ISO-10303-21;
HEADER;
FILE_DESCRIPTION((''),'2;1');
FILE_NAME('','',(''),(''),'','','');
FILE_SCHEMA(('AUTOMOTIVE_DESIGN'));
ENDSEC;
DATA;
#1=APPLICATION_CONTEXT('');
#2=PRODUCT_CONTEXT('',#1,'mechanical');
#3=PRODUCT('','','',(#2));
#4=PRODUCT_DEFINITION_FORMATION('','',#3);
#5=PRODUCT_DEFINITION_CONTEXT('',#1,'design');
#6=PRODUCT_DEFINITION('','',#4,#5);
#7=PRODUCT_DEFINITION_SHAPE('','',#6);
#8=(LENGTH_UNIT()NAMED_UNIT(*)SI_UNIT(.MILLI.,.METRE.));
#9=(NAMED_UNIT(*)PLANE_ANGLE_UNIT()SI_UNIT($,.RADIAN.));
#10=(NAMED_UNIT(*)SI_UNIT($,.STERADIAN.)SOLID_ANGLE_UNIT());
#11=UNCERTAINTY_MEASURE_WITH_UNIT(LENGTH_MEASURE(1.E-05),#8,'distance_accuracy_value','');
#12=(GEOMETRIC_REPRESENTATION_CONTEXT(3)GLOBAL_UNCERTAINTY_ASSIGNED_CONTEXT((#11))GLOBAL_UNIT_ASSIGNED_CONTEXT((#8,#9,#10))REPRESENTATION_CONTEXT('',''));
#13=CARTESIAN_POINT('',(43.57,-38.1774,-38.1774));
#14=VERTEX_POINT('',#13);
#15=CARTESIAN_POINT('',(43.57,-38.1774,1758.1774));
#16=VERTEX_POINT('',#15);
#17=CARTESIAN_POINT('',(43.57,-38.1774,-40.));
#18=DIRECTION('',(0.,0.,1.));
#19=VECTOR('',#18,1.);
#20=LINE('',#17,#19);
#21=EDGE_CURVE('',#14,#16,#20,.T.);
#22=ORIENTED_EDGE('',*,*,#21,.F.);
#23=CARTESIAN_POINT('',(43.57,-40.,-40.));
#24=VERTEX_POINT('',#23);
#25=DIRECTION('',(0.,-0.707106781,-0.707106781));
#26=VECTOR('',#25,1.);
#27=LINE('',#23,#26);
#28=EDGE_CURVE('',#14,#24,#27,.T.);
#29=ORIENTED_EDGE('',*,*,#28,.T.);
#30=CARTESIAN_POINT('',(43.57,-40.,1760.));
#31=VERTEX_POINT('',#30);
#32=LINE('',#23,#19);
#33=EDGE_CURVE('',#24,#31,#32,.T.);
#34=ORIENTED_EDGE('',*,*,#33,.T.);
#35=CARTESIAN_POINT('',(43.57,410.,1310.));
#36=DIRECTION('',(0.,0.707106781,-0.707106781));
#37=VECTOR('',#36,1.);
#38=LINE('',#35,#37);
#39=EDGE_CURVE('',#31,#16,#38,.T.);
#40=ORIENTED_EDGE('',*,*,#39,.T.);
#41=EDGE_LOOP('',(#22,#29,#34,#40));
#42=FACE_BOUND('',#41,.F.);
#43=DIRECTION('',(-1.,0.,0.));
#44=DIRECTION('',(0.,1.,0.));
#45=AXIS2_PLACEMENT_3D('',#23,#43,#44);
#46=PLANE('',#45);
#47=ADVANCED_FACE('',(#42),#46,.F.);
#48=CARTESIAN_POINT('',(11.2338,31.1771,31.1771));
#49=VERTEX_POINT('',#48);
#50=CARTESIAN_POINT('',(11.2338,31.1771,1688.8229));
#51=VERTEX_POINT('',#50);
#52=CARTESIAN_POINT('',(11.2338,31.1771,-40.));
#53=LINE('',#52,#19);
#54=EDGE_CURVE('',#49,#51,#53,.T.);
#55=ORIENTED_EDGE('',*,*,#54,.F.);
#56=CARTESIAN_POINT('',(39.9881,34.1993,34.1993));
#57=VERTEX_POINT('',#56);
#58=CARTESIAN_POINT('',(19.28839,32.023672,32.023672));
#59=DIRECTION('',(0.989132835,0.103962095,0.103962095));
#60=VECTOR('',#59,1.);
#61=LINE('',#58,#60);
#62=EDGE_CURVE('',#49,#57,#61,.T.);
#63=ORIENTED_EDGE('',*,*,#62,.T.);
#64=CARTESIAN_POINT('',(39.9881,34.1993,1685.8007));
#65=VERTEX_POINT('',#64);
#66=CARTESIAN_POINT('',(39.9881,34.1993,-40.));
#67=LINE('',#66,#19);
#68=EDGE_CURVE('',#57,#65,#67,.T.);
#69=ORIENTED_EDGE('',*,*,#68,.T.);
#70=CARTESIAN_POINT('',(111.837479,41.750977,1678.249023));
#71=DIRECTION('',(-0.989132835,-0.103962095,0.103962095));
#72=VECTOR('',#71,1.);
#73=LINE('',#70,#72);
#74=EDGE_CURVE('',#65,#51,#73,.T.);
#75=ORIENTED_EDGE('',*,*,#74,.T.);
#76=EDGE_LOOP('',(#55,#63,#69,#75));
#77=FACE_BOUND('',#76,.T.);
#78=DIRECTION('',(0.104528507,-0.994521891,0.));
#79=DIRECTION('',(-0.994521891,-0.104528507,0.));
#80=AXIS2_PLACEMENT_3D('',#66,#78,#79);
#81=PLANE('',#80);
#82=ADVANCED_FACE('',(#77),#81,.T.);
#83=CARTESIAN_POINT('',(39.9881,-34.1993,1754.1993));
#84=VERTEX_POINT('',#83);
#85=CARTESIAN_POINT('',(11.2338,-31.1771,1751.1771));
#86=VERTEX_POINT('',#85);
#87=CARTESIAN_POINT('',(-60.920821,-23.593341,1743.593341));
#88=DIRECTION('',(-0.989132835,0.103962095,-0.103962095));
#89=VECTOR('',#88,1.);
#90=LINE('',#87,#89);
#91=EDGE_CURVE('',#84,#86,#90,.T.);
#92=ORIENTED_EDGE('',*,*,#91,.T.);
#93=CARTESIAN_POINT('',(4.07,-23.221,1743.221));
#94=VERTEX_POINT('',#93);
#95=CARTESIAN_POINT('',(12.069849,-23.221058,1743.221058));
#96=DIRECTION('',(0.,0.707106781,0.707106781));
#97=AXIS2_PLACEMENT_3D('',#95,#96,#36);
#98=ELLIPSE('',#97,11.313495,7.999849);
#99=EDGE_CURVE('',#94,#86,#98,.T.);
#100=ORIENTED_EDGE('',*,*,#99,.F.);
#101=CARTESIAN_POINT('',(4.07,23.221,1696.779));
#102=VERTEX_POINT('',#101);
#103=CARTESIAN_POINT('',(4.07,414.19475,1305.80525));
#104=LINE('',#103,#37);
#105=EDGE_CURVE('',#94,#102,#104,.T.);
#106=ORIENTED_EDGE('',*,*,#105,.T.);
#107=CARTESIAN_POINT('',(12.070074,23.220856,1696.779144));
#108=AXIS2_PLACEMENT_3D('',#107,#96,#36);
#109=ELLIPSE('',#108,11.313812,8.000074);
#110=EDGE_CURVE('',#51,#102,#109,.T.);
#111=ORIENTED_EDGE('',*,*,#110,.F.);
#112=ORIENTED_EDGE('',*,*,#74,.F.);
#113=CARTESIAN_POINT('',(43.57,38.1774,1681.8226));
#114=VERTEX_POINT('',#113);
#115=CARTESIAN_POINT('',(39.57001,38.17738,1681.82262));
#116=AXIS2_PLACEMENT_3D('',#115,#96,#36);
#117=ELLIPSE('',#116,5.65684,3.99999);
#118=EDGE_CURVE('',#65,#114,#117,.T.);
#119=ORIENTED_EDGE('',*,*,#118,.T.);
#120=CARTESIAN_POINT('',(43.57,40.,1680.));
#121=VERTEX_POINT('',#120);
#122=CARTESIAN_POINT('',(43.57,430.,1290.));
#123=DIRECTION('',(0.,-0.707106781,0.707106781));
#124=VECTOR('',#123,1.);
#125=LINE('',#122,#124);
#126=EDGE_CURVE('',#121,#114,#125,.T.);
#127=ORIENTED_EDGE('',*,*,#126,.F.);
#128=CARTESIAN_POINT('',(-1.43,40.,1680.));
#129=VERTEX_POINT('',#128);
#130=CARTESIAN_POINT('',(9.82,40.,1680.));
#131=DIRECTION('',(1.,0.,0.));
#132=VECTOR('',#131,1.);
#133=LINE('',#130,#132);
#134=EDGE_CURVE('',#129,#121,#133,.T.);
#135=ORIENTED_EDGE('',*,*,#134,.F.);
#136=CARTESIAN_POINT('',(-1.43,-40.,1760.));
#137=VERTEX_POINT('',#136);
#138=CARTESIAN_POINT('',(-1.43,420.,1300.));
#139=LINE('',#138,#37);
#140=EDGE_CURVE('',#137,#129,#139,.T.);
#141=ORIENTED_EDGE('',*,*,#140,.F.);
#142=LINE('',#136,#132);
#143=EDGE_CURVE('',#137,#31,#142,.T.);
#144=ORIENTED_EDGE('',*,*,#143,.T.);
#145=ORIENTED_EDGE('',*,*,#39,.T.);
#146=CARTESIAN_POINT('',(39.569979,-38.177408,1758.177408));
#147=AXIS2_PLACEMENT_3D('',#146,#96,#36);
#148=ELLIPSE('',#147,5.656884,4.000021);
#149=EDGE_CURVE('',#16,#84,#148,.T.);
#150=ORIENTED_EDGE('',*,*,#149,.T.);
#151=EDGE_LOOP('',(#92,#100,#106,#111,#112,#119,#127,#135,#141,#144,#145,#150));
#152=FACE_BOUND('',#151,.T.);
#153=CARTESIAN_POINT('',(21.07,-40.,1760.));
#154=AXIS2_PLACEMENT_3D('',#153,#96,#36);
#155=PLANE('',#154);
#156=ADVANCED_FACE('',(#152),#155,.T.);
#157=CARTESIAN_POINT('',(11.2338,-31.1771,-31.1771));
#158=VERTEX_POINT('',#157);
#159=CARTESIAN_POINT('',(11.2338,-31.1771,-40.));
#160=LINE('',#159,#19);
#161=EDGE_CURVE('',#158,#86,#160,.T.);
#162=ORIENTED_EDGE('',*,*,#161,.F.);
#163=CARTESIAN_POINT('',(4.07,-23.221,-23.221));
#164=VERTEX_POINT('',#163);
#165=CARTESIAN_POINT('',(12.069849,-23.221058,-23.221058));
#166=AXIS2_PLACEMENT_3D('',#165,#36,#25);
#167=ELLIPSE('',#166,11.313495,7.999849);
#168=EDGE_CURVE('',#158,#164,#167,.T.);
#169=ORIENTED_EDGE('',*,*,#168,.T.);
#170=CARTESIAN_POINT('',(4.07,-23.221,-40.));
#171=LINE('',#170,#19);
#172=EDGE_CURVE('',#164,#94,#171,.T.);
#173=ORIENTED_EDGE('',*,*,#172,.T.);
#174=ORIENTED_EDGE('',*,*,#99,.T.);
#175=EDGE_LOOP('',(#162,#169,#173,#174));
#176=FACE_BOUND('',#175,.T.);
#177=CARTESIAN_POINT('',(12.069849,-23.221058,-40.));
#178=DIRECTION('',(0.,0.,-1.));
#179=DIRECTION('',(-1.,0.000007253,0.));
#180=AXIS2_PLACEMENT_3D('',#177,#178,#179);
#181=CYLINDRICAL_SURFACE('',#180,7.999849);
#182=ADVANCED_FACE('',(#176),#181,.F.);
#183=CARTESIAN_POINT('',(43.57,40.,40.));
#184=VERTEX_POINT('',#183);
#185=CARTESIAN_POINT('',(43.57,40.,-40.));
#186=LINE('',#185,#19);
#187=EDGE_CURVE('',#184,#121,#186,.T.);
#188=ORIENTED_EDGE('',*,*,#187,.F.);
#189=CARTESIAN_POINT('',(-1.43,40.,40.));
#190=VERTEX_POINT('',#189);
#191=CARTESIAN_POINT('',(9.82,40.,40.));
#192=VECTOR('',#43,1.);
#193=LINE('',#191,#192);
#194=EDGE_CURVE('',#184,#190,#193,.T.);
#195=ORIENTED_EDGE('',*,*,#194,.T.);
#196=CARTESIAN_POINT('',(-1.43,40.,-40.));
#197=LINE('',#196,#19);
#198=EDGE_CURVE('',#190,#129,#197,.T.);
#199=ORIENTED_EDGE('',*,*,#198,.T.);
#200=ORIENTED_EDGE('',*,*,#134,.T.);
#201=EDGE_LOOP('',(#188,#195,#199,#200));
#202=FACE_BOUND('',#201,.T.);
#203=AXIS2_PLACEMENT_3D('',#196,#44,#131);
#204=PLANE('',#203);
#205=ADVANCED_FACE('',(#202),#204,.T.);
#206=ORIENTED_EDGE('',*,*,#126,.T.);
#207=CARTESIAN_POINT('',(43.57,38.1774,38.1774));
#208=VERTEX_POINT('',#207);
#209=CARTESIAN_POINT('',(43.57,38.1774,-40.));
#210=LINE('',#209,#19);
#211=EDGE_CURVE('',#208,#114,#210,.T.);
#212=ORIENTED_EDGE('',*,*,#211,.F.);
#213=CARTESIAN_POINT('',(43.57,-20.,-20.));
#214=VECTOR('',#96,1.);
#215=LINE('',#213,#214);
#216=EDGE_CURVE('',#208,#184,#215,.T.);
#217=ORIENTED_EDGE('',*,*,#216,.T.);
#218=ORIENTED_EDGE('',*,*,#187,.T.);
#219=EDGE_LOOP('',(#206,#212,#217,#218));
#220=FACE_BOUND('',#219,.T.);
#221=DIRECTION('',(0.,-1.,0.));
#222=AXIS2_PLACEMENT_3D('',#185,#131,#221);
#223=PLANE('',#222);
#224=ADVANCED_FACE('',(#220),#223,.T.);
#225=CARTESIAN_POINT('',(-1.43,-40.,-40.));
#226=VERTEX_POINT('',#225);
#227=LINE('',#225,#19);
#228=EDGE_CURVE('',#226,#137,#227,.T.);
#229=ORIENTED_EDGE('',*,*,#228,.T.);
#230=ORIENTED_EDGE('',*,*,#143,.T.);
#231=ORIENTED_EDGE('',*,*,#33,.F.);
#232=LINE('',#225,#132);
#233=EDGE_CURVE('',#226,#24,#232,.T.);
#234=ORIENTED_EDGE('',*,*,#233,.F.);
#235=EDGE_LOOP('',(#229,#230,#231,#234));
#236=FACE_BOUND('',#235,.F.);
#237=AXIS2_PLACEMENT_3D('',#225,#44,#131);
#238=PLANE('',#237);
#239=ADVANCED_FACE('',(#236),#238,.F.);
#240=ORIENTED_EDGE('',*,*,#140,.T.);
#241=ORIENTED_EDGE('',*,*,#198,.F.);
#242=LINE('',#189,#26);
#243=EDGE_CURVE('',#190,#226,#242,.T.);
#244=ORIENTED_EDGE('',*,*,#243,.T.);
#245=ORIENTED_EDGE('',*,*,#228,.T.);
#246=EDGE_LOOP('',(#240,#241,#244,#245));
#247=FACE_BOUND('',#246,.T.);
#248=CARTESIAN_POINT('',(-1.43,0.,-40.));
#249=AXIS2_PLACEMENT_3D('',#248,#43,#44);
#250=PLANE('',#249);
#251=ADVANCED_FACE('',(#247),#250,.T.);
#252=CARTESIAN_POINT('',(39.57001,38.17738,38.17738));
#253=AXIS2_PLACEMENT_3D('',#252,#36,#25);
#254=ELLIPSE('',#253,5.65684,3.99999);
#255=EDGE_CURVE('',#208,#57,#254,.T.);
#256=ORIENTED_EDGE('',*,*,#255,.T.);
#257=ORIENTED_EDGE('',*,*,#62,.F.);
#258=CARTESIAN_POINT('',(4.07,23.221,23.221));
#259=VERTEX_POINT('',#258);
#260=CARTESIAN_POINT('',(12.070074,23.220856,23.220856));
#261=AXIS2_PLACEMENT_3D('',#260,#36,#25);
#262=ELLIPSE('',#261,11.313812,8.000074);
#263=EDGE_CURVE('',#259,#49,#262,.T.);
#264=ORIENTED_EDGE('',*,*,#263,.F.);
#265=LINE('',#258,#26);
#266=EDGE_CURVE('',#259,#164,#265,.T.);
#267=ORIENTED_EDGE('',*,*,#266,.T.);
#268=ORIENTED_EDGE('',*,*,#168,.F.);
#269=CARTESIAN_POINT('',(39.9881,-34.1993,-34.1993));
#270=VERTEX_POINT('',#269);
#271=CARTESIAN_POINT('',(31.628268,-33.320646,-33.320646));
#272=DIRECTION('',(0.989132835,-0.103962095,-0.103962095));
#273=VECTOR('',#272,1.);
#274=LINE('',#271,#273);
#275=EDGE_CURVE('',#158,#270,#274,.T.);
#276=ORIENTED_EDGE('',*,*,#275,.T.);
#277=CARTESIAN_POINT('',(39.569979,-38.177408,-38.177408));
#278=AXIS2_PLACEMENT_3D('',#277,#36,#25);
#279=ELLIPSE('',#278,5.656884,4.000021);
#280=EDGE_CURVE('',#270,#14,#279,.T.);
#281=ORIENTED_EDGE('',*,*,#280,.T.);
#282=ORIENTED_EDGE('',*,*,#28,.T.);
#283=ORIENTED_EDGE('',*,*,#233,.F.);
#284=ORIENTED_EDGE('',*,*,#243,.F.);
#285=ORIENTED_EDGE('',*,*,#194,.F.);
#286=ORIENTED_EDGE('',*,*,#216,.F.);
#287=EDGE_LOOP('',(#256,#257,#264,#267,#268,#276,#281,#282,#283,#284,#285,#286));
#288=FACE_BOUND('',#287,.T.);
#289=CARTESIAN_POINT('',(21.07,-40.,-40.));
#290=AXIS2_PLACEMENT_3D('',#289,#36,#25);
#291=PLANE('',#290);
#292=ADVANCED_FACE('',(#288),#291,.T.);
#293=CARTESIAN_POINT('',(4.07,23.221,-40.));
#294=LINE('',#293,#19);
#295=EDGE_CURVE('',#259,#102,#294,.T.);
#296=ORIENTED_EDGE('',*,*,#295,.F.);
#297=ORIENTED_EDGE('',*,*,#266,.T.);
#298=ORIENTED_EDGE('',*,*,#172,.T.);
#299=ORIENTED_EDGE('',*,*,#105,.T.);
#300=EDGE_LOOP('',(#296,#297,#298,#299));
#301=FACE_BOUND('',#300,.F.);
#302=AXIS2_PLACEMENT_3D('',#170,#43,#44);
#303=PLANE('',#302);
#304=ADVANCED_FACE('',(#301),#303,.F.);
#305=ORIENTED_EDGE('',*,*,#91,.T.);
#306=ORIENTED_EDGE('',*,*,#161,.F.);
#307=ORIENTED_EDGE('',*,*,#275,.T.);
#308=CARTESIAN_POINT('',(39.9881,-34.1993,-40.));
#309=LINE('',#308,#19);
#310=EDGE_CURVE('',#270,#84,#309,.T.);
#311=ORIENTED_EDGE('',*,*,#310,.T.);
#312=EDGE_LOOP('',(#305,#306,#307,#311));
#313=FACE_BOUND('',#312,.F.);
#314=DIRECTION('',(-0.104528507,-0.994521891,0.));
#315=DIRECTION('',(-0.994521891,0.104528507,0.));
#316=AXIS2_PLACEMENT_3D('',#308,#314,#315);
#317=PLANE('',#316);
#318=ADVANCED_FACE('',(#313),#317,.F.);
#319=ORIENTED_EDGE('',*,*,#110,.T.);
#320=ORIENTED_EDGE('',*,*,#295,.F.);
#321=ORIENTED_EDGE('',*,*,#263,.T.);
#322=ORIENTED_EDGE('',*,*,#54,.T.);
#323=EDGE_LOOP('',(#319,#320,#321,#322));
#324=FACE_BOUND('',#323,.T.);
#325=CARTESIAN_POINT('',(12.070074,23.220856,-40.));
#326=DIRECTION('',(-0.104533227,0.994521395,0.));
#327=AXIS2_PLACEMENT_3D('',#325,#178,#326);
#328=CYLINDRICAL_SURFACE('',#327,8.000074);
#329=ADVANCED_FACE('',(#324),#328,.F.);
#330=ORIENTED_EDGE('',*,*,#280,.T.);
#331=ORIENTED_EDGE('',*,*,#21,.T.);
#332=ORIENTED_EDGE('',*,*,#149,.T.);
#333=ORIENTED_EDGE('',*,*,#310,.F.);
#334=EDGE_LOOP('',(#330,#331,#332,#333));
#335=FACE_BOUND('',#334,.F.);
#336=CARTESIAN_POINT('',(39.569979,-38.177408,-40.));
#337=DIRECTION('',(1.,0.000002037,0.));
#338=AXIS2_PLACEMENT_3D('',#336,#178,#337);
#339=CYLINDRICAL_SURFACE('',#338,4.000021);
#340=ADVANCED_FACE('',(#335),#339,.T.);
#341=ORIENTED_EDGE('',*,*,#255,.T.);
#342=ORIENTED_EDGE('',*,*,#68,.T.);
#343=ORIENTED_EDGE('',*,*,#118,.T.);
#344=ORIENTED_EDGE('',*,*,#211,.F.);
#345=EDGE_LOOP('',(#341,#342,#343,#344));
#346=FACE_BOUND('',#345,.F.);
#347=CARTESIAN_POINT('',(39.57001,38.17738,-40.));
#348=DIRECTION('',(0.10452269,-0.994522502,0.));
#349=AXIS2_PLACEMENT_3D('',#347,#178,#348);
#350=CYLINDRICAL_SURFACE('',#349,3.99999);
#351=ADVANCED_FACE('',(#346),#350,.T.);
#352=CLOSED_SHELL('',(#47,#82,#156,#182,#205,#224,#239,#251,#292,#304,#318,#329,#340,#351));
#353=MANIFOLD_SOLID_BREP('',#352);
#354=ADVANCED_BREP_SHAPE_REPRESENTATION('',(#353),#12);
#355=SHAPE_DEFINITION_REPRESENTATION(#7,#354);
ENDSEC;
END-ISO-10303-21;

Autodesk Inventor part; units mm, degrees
ref_plane "Начальная плоскость" through (0, 0, -40) normal (0, 0, 1) x (1, 0, 0)
ref_plane "Конечная плоскость" through (0, 0, 1760) normal (0, 0, 1) x (1, 0, 0)
sketch "Эскиз" plane through (0, 0, 0) normal (0, 0, 1) x (1, 0, 0)
  line L0 (-1.43, 0) -> (-1.43, 40)
  line L1 (-1.43, 40) -> (43.57, 40)
  line L2 (43.57, 40) -> (43.57, 38.1774)
  line L3 (39.9881, 34.1993) -> (11.2338, 31.1771)
  line L4 (4.07, 23.221) -> (4.07, 0)
  line L5 (4.07, 0) -> (-1.43, 0) construction
  line L6 (23.82, 40) -> (23.82, 32.5) construction
  line L7 (43.57, 34.5758) -> (43.57, 32.5) construction
  line L8 (43.57, 32.5) -> (23.82, 32.5) construction
  line L9 (0, 15) -> (0, -27) construction
  line L10 (-5.539, 0) -> (16.0067, 0) construction
  line L11 (-1.43, 0) -> (-1.43, -40)
  line L12 (-1.43, -40) -> (43.57, -40)
  line L13 (43.57, -40) -> (43.57, -38.1774)
  line L14 (39.9881, -34.1993) -> (11.2338, -31.1771)
  line L15 (4.07, -23.221) -> (4.07, 0)
  arc A0 (11.2338, 31.1771) -> (4.07, 23.221) centre (12.07, 23.221) ccw
  arc A1 (4.07, -23.221) -> (11.2338, -31.1771) centre (12.07, -23.221) ccw
  arc A2 (39.9881, 34.1993) -> (43.57, 38.1774) centre (39.57, 38.1774) ccw
  arc A3 (43.57, -38.1774) -> (39.9881, -34.1993) centre (39.57, -38.1774) ccw
  line L16 (0, 56) -> (0, -56) construction
  line L17 (-15.5135, 0) -> (54.308, 0) construction
  point P0 (4.07, 30.4242)
  point P1 (43.57, -34.5758)
  point P2 (4.07, -30.4242)
  point P3 (23.82, -40)
  point P4 (23.82, -32.5)
  dimension "d0" = 5.5
  dimension "d1" = 40
  dimension "d2" = 45
  dimension "d3" = 7.5
  dimension "d4" = 19.75
  dimension "d5" = 2.0758
  dimension "d23" = 8
  dimension "d24" = 4
  dimension "d25" = 1.43
extrude "Тело" add sketch "Эскиз" along normal up to surface (1800 mm away) from surface at -40
sketch "Sketch3" plane through (0, 0, 0) normal (0, 0, 1) x (1, 0, 0)
  line L0 (0, 0) -> (10, 0)
ref_plane "Work Plane3" through (0, 0, 0) normal (0, -1, 0) x (1, 0, 0)
sketch "Sketch4" plane through (0, 0, 0) normal (0, -1, 0) x (1, 0, 0)
  line L0 (-2, -40) -> (12, -40)
  line L1 (-2, 1760) -> (12, 1760)
  dimension "d29" = 1800
ref_plane "РабПлоскость4" through (21.07, -40, -40) normal (0, 0.7071, -0.7071) x (1, 0, 0)
split "Разделение1" plane through (21.07, -40, -40) removes the side toward (0, 0.7071, -0.7071)
ref_plane "РабПлоскость5" through (21.07, -40, 1760) normal (0, 0.7071, 0.7071) x (1, 0, 0)
split "Разделение2" plane through (21.07, -40, 1760) removes the side toward (0, 0.7071, 0.7071)
equation "\"d0\" = G_T"
equation "\"d1\" = 0.5 * G_H"
equation "\"d2\" = G_W"
equation "\"d3\" = G_T1"
equation "\"d4\" = G_C"
equation "\"d23\" = G_IR"
equation "\"d24\" = G_ER"
equation "\"d25\" = ex"
equation "\"d6\" = G_L"
equation "\"G_W\" = 45"
equation "\"G_T\" = 5.5"
equation "\"G_T1\" = 7.5"
equation "\"G_NG\" = 0.105104"
equation "\"G_ER\" = 4"
equation "\"G_IR\" = 8"
equation "\"G_C\" = 19.75"
equation "\"G_L\" = d29"
equation "\"ex\" = 1.43"
equation "\"G_H\" = 80"
properties part number "ISO 657/11 - CH 80 x 8 - 1800" material "Сталь, мягкая"
